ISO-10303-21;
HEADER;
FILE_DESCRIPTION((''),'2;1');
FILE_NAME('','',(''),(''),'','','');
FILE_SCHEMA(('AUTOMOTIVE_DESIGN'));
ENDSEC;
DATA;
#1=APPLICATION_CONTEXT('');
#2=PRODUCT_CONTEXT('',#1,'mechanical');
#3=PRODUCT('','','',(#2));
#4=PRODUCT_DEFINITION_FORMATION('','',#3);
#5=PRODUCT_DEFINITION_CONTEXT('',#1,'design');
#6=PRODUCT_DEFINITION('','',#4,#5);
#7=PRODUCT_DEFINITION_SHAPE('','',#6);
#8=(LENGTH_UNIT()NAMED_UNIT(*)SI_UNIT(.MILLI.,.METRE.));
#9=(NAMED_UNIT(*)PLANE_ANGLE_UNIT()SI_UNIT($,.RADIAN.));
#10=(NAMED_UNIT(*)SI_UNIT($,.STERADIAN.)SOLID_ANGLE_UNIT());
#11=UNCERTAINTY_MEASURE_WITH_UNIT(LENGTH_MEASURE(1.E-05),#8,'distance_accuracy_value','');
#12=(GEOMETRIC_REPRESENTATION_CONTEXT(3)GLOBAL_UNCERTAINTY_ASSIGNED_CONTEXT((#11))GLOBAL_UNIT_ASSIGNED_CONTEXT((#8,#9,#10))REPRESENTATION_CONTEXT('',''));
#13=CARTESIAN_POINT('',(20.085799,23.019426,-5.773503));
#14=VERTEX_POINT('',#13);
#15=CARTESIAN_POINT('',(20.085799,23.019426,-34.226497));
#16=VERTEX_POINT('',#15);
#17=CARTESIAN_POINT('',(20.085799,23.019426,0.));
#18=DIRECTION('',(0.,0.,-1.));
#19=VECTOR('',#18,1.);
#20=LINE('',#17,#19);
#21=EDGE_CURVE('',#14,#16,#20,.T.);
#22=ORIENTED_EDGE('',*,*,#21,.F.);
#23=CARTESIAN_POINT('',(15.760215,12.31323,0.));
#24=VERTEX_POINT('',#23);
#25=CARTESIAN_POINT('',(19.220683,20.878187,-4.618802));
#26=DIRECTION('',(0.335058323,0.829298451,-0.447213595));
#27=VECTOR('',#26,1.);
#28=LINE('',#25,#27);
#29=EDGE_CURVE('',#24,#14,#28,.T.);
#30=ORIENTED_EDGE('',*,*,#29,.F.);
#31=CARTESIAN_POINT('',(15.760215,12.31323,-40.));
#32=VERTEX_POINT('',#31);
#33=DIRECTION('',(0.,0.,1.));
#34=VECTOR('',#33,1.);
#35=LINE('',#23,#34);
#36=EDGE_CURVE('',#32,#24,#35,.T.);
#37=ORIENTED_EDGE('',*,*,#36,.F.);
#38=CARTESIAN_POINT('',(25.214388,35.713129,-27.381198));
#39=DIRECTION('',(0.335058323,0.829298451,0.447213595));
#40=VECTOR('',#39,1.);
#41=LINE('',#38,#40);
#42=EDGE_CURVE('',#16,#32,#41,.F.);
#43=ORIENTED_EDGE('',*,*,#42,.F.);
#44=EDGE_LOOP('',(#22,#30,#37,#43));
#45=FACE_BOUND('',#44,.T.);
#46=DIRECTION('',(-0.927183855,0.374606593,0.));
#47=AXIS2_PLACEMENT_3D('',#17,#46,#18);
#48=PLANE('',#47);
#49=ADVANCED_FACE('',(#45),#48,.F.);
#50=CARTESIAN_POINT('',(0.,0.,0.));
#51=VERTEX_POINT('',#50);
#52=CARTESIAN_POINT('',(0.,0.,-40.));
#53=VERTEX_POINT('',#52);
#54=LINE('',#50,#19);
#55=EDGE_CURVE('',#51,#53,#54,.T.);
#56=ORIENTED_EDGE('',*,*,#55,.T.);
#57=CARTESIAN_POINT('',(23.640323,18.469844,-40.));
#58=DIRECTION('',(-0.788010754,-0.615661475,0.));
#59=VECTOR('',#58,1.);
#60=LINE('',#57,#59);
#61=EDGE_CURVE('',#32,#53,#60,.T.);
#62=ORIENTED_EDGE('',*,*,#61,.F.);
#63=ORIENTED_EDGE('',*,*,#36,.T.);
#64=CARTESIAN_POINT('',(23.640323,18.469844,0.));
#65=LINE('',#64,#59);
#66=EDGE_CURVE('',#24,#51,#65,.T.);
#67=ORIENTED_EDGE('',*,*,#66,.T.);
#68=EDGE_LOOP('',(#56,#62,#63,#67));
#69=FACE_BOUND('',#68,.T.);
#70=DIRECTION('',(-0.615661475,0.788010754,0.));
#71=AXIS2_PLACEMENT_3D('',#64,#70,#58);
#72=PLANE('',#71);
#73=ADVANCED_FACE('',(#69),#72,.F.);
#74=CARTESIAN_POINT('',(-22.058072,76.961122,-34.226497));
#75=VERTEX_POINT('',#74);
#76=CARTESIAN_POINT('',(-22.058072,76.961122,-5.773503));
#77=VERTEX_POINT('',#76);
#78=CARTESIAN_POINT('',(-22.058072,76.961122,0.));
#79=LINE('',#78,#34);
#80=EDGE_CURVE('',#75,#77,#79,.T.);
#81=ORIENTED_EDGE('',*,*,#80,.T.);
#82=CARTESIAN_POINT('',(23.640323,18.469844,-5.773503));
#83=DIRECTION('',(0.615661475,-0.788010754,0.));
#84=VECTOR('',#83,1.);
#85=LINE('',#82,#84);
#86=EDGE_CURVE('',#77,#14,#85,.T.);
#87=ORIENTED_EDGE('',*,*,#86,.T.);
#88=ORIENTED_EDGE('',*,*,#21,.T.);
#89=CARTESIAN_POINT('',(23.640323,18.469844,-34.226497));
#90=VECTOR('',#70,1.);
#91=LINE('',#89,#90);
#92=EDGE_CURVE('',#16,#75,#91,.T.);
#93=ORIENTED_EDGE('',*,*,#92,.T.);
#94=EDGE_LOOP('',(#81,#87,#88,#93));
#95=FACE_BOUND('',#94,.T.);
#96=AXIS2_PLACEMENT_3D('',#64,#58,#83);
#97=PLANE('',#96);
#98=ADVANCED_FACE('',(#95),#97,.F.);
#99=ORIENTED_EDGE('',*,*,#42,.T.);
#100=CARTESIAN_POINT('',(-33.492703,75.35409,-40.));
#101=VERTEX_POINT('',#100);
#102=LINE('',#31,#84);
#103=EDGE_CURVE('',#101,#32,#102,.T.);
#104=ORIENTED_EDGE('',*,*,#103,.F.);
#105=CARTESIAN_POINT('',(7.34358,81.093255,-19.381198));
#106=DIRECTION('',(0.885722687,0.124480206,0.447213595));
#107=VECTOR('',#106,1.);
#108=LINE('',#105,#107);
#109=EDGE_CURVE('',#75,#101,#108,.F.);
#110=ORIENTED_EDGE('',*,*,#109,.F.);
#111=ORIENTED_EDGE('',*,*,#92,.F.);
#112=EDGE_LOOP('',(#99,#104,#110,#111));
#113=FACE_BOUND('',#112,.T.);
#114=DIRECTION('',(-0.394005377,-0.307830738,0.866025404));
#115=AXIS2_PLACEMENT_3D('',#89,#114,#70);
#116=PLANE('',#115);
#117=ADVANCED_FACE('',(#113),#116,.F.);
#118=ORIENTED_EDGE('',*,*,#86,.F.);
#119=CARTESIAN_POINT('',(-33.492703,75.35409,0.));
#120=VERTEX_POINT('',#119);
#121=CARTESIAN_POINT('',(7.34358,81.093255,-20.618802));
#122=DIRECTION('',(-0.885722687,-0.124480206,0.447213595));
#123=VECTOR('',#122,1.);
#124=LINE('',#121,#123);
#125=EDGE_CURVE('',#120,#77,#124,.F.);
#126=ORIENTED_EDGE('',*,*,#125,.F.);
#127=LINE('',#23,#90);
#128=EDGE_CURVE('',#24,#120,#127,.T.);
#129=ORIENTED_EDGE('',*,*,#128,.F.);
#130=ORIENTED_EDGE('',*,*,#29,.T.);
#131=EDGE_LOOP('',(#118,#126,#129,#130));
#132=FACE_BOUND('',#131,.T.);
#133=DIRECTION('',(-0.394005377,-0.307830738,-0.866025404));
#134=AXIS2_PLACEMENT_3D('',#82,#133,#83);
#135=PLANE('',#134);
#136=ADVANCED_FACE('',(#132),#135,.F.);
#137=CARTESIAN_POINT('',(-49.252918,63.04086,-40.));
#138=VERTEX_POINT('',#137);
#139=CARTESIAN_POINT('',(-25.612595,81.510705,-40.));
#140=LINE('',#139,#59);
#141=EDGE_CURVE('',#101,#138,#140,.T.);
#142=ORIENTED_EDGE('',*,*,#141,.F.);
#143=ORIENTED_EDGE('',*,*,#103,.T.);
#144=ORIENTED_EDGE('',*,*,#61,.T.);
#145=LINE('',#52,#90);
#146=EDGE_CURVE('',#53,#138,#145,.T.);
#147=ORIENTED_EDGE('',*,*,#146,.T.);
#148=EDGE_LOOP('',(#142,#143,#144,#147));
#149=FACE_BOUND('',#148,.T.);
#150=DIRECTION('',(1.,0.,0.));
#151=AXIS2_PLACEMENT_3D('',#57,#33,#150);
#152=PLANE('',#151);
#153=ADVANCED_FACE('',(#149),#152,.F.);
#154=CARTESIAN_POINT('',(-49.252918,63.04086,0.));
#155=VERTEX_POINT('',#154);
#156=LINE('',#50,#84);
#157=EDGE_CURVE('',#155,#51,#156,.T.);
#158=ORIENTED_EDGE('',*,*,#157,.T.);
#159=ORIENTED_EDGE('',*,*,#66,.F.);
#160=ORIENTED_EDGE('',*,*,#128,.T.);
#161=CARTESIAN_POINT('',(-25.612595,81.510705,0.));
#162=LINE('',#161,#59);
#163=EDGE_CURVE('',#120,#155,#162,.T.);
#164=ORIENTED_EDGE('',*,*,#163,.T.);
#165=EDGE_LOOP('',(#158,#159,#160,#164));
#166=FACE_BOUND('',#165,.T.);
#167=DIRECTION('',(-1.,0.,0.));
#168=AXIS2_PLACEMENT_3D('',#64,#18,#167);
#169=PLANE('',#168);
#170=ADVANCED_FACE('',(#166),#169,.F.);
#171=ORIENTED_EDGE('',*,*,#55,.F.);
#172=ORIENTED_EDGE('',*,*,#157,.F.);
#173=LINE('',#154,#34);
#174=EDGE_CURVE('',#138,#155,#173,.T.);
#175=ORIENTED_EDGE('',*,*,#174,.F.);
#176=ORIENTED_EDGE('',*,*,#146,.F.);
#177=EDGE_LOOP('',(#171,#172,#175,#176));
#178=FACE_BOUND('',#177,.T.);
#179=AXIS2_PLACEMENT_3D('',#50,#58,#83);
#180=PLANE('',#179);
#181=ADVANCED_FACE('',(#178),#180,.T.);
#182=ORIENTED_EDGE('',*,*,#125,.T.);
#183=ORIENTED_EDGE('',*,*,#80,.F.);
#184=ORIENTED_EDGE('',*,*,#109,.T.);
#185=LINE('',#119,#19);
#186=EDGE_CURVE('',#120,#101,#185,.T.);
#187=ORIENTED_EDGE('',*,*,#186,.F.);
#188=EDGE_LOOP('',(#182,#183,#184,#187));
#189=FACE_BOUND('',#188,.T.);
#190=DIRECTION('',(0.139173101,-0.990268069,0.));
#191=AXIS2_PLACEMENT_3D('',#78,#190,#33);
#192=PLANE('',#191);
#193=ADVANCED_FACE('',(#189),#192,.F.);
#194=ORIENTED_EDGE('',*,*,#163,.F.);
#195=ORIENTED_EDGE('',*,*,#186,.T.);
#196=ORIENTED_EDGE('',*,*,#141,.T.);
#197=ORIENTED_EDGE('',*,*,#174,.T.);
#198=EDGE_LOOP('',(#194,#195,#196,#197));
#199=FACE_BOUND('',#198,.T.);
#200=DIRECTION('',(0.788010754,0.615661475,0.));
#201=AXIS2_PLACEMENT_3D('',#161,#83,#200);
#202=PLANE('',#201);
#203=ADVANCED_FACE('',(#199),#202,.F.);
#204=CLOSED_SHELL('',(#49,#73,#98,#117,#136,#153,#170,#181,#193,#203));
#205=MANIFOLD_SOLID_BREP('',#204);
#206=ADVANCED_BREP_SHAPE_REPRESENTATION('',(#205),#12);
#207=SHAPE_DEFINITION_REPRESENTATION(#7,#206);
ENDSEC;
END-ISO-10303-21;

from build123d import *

# Parameters (mm, degrees)
SKETCH2_W             = 40
SKETCH2_H             = 80
BOSS_EXTRUDE1_DEPTH   = 30
CHAMFER1_SIZE         = 10
CHAMFER1_SIZE2        = 5.773502692
CHAMFER1_PART_2_SIZE  = 10
CHAMFER1_PART_2_SIZE2 = 5.773502692
CHAMFER1_PART_3_SIZE  = 10
CHAMFER1_PART_3_SIZE2 = 5.773502692
CHAMFER1_PART_4_SIZE  = 10
CHAMFER1_PART_4_SIZE2 = 5.773502692


with BuildPart() as part:
    # Sketch2 → Boss-Extrude1 (new body)
    with BuildSketch(Plane(origin=(0, 0, 0), x_dir=(0, 0, -1), z_dir=(0.788010754, 0.615661475, 0))):
        with Locations((20, 40)):
            Rectangle(SKETCH2_W, SKETCH2_H)
    extrude(amount=BOSS_EXTRUDE1_DEPTH)

    # Chamfer1
    chamfer1_edges = [part.edges().sort_by_distance(p)[0] for p in [
        (-0.986136405, 49.990274404, -40),
    ]]
    chamfer1_side = [part.faces().sort_by_distance(p)[0] for p in [
        (-12.806297709, 40.755352274, -40),
    ]]
    chamfer(chamfer1_edges, length=CHAMFER1_SIZE, length2=CHAMFER1_SIZE2, reference=chamfer1_side[0])

    # Chamfer1 part 2
    chamfer1_part_2_edges = [part.edges().sort_by_distance(p)[0] for p in [
        (-25.612595418, 81.510704548, -20),
    ]]
    chamfer1_part_2_side = [part.faces().sort_by_distance(p)[0] for p in [
        (-37.432756722, 72.275782418, -20),
    ]]
    chamfer(chamfer1_part_2_edges, length=CHAMFER1_PART_2_SIZE, length2=CHAMFER1_PART_2_SIZE2, reference=chamfer1_part_2_side[0])

    # Chamfer1 part 3
    chamfer1_part_3_edges = [part.edges().sort_by_distance(p)[0] for p in [
        (-0.986136405, 49.990274404, 0),
    ]]
    chamfer1_part_3_side = [part.faces().sort_by_distance(p)[0] for p in [
        (-12.806297709, 40.755352274, 0),
    ]]
    chamfer(chamfer1_part_3_edges, length=CHAMFER1_PART_3_SIZE, length2=CHAMFER1_PART_3_SIZE2, reference=chamfer1_part_3_side[0])

    # Chamfer1 part 4
    chamfer1_part_4_edges = [part.edges().sort_by_distance(p)[0] for p in [
        (23.640322608, 18.46984426, -20),
    ]]
    chamfer1_part_4_side = [part.faces().sort_by_distance(p)[0] for p in [
        (11.820161304, 9.23492213, -20),
    ]]
    chamfer(chamfer1_part_4_edges, length=CHAMFER1_PART_4_SIZE, length2=CHAMFER1_PART_4_SIZE2, reference=chamfer1_part_4_side[0])


solid = part.part
